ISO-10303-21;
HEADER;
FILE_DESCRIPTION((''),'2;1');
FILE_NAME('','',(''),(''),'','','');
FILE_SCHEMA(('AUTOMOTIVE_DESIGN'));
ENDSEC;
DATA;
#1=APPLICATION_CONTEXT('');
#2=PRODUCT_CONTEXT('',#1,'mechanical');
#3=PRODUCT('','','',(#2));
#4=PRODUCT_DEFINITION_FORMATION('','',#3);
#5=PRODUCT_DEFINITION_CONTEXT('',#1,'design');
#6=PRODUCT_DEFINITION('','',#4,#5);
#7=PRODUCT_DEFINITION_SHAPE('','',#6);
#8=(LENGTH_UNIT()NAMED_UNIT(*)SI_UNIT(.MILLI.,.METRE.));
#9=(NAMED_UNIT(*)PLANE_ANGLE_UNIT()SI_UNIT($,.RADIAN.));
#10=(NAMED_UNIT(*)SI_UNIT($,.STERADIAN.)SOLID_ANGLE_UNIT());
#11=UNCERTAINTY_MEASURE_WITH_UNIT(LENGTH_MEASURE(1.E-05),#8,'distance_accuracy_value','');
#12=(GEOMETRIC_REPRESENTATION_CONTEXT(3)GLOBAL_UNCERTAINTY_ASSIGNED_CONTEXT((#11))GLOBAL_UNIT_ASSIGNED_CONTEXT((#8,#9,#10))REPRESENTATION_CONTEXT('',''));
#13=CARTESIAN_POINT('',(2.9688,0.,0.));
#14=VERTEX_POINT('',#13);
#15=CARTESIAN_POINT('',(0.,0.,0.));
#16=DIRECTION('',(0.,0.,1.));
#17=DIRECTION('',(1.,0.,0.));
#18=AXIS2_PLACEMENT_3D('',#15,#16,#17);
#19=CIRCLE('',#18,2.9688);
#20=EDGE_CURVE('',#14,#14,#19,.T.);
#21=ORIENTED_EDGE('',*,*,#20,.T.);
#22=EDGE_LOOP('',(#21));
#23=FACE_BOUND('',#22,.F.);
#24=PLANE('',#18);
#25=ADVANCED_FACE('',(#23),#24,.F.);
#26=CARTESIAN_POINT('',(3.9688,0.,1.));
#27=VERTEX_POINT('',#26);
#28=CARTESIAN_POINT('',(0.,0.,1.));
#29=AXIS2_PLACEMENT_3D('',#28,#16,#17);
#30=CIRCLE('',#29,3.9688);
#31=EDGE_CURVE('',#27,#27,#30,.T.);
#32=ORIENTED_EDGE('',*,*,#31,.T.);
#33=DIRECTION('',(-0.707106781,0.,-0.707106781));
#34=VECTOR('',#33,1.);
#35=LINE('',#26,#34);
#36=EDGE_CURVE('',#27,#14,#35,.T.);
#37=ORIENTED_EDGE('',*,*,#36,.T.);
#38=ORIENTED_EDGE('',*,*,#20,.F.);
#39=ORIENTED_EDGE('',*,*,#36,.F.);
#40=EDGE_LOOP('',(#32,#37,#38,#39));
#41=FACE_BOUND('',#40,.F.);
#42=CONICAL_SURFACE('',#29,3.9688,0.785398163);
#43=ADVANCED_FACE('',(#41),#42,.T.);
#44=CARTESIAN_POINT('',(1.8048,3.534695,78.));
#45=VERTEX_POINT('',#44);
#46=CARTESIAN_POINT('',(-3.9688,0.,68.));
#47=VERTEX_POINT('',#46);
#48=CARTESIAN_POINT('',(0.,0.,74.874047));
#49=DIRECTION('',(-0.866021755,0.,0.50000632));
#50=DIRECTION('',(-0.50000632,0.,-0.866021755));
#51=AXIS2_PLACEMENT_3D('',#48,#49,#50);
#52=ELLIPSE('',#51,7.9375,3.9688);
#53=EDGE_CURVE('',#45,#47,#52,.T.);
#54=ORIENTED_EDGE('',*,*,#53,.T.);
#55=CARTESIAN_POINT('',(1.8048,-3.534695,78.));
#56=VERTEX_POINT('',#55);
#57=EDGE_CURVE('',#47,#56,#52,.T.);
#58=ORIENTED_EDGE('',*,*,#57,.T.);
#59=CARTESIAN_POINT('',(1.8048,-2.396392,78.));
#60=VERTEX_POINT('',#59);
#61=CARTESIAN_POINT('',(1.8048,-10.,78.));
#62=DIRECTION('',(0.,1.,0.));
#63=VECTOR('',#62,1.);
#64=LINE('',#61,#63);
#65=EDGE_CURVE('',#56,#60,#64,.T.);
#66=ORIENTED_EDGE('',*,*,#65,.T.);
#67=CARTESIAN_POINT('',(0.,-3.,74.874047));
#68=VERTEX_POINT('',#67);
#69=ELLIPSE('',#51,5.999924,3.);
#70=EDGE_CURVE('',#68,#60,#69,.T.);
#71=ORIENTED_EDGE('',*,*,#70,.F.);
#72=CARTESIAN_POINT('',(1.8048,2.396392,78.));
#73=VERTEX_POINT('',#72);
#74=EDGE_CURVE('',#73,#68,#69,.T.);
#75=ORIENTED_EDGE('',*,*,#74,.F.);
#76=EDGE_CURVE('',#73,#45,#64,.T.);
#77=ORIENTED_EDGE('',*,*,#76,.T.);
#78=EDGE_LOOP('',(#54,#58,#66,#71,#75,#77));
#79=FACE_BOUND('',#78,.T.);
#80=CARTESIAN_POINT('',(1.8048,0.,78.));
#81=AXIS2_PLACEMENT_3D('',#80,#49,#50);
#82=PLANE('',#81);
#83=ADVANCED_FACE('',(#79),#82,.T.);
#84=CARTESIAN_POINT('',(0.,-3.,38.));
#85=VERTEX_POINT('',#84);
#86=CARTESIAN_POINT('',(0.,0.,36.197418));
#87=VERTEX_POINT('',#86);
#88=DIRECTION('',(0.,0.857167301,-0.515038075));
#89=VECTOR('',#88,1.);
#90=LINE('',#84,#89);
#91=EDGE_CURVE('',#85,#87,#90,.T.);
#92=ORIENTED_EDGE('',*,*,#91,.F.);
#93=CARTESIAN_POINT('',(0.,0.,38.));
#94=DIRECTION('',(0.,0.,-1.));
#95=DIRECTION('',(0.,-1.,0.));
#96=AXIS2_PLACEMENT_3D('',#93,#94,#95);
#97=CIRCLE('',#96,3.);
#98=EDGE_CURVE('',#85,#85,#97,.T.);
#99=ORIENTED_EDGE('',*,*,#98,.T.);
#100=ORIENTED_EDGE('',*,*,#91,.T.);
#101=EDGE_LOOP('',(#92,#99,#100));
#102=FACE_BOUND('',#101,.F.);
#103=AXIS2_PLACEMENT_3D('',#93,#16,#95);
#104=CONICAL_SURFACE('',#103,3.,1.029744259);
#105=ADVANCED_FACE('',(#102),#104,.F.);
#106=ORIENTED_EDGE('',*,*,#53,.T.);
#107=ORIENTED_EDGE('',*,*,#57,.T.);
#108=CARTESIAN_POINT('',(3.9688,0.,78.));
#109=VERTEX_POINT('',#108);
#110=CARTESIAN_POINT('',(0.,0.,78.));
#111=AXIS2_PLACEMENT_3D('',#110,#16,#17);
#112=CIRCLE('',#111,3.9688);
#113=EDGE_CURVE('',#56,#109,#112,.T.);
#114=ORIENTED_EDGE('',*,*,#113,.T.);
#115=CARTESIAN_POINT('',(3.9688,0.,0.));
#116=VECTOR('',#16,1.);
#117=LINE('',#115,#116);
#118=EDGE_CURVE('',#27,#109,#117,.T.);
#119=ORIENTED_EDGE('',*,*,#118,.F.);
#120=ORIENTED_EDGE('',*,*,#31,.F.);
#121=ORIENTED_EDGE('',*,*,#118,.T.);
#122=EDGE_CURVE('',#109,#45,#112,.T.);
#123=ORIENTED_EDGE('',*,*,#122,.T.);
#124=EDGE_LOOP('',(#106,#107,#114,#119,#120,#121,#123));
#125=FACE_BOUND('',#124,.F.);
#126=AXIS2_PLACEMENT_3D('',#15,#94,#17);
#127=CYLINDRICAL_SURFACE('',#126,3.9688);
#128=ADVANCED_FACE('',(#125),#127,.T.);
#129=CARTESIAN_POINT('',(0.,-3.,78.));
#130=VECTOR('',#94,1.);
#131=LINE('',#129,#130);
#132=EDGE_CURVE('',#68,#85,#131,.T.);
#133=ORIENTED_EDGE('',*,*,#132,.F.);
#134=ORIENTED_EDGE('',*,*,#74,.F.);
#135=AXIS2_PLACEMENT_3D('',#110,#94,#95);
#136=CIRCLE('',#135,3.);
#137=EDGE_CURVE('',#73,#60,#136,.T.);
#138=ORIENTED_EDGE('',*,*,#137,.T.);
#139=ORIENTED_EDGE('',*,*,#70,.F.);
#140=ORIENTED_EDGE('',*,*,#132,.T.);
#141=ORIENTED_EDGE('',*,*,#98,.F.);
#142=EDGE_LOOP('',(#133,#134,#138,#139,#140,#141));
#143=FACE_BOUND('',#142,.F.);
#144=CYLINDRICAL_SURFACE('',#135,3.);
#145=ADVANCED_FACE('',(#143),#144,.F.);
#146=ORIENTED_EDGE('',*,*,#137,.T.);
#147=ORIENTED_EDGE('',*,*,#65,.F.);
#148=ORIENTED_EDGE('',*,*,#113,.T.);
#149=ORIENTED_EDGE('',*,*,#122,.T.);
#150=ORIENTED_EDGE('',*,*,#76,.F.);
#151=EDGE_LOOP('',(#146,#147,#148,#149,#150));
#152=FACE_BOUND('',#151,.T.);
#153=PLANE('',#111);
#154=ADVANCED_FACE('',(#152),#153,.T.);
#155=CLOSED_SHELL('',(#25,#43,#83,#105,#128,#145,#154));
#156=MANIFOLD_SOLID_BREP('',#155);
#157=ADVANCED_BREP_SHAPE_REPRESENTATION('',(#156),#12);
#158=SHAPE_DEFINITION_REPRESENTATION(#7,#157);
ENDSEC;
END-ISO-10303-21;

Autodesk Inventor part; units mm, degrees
ref_plane "YZ Plane" through (0, 0, 0) normal (1, 0, 0) x (0, 1, 0)
ref_plane "XZ Plane" through (0, 0, 0) normal (0, 1, 0) x (-1, 0, 0)
ref_plane "XY Plane" through (0, 0, 0) normal (0, 0, 1) x (1, 0, 0)
sketch "Sketch1" plane through (0, 0, 0) normal (0, 0, 1) x (1, 0, 0)
  circle A0 centre (0, 0) radius 3.9688
  dimension "d0" = 7.9375
extrude "Extrusion1" add sketch "Sketch1" along normal blind 78
thread "Thread1" size "M8x1.25" class "6g" standard "ANSI Metric M Profile" length 20
sketch "Sketch2" plane through (0, 0, 78) normal (0, 0, 1) x (1, 0, 0)
  circle A0 centre (0, 0) radius 3.9687 projected
hole "Hole1" at (0, 0, 78) direction (0, 0, -1) diameter 6 depth 40 tip angle 118
sketch "Sketch3" plane through (0, 0, 0) normal (0, 1, 0) x (-1, 0, 0)
  line L0 (-3.9688, 78) -> (3.9688, 78) projected
  line L1 (-3.9688, 0) -> (3.9688, 0) projected
  line L2 (-1.8048, 78) -> (3.9688, 68)
  line L3 (3.9688, 0) -> (3.9688, 78) projected
  line L4 (-3.9688, 0) -> (-3.9688, 78) projected
  point P0 (0, 0)
  dimension "d12" = 30
  dimension "d13" = 10
extrude "Extrusion2" cut sketch "Sketch3" along normal mid plane 20 contours L0 L3 L2
chamfer "Chamfer1" distance 1 angle 45 1 edges at (-3.9688, 0, 0)
properties part number "ESCAPAMENTO(16)" material "Carbon Steel"
